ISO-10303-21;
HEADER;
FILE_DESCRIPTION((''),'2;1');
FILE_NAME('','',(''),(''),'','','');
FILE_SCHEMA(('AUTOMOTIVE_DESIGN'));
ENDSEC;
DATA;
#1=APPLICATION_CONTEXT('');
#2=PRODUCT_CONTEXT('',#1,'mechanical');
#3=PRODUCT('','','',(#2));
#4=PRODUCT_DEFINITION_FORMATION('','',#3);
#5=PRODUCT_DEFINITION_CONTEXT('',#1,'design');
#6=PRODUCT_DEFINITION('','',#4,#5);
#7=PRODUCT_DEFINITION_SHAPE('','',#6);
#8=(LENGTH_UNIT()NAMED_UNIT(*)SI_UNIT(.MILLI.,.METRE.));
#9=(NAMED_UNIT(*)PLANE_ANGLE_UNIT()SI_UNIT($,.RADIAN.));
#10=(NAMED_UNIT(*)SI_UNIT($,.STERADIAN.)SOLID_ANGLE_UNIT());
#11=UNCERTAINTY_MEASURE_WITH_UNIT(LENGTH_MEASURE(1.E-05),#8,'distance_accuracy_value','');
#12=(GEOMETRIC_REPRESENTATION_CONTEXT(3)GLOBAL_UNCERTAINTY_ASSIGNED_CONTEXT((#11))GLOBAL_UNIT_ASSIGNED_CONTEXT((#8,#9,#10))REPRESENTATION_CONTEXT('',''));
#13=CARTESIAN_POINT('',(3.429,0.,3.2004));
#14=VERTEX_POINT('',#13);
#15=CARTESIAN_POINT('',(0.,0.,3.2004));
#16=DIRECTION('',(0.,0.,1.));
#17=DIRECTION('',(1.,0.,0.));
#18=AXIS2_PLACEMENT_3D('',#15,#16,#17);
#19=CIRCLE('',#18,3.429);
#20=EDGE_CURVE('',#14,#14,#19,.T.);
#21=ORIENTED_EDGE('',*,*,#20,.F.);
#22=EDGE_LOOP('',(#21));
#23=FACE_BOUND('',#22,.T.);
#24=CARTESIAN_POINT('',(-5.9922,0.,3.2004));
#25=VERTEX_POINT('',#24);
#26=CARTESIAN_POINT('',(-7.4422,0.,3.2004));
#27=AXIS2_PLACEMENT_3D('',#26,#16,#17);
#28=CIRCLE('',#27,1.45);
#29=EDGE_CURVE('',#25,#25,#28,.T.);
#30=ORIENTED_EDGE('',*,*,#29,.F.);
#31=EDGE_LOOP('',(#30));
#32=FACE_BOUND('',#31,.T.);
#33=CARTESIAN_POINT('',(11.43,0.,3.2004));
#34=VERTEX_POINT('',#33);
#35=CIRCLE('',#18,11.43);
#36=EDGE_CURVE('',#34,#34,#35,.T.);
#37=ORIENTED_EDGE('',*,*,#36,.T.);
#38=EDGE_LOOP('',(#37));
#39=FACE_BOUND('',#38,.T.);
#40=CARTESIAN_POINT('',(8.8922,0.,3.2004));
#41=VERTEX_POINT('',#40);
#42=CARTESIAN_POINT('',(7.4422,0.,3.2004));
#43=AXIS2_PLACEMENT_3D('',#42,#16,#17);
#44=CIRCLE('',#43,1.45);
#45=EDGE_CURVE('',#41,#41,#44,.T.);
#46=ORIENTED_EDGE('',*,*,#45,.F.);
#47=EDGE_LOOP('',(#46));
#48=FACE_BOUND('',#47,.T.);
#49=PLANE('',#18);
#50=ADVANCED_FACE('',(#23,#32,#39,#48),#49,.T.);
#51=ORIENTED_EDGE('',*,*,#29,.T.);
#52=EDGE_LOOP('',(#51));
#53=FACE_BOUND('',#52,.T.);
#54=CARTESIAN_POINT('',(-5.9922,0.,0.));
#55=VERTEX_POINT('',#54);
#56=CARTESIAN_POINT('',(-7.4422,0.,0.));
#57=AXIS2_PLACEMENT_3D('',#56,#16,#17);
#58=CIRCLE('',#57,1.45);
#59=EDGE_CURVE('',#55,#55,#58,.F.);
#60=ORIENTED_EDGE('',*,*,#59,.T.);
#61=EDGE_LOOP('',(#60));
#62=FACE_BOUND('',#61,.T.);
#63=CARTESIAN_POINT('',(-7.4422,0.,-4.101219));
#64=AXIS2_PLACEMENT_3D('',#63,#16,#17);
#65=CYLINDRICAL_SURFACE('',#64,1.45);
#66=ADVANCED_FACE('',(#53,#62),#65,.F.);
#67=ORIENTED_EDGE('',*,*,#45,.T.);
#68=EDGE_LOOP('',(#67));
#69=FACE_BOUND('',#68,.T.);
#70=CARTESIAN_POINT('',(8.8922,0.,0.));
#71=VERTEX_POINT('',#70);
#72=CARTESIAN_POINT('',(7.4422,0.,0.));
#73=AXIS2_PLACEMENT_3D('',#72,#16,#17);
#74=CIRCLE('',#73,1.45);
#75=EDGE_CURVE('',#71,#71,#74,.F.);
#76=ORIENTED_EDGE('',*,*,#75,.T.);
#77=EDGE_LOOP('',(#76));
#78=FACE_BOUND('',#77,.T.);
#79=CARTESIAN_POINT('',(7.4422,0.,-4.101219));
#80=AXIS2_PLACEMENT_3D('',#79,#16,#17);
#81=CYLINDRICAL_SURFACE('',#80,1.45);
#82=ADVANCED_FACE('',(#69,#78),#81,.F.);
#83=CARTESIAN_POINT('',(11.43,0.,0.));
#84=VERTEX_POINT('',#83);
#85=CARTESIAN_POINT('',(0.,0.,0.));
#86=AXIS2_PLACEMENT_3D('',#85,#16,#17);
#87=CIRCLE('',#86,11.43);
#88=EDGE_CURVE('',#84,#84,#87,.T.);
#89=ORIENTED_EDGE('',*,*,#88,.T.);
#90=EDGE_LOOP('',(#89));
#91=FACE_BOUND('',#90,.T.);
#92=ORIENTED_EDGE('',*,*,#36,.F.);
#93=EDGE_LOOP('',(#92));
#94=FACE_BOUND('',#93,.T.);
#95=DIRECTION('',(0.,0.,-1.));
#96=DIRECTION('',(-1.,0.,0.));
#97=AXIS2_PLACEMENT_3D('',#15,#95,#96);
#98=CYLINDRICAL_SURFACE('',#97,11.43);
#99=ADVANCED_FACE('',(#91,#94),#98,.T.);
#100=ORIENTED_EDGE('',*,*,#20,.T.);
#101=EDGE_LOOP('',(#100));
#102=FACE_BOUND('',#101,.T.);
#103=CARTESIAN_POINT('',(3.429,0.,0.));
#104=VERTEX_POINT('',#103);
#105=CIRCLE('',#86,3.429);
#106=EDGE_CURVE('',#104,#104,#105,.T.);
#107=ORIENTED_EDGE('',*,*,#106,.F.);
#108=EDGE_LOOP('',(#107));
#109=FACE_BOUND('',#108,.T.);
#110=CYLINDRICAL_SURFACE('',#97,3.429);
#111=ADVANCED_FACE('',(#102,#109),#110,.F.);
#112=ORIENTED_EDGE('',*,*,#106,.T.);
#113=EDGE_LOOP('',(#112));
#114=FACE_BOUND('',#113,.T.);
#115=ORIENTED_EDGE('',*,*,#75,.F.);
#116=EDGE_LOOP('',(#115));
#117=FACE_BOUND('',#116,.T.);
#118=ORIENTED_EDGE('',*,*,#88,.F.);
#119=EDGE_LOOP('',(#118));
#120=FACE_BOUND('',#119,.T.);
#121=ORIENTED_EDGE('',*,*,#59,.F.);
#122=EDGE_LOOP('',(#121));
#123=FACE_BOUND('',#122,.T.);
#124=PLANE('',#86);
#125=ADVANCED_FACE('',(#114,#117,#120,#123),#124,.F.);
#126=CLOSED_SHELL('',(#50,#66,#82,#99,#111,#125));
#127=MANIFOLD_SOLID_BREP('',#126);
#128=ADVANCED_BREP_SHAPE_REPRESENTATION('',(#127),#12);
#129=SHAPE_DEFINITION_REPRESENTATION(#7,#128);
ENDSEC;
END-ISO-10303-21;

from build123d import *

# Parameters (mm, degrees)
SKETCH1_R           = 11.43
SKETCH1_R_2         = 3.429
BOSS_EXTRUDE1_DEPTH = 3.2004
SKETCH2_R           = 1.45
CUT_EXTRUDE1_DEPTH  = 3.2004


with BuildPart() as part:
    # Sketch1 → Boss-Extrude1 (new body)
    with BuildSketch(Plane.XY):
        Circle(SKETCH1_R)
        Circle(SKETCH1_R_2, mode=Mode.SUBTRACT)
    extrude(amount=BOSS_EXTRUDE1_DEPTH)

    # Sketch2 → Cut-Extrude1 (cut)
    with BuildSketch(Plane.XY.offset(3.2004)):
        with Locations((-7.442200054, 0)):
            Circle(SKETCH2_R)
        with Locations((7.442200054, 0)):
            Circle(SKETCH2_R)
    extrude(amount=-CUT_EXTRUDE1_DEPTH, mode=Mode.SUBTRACT)


solid = part.part
